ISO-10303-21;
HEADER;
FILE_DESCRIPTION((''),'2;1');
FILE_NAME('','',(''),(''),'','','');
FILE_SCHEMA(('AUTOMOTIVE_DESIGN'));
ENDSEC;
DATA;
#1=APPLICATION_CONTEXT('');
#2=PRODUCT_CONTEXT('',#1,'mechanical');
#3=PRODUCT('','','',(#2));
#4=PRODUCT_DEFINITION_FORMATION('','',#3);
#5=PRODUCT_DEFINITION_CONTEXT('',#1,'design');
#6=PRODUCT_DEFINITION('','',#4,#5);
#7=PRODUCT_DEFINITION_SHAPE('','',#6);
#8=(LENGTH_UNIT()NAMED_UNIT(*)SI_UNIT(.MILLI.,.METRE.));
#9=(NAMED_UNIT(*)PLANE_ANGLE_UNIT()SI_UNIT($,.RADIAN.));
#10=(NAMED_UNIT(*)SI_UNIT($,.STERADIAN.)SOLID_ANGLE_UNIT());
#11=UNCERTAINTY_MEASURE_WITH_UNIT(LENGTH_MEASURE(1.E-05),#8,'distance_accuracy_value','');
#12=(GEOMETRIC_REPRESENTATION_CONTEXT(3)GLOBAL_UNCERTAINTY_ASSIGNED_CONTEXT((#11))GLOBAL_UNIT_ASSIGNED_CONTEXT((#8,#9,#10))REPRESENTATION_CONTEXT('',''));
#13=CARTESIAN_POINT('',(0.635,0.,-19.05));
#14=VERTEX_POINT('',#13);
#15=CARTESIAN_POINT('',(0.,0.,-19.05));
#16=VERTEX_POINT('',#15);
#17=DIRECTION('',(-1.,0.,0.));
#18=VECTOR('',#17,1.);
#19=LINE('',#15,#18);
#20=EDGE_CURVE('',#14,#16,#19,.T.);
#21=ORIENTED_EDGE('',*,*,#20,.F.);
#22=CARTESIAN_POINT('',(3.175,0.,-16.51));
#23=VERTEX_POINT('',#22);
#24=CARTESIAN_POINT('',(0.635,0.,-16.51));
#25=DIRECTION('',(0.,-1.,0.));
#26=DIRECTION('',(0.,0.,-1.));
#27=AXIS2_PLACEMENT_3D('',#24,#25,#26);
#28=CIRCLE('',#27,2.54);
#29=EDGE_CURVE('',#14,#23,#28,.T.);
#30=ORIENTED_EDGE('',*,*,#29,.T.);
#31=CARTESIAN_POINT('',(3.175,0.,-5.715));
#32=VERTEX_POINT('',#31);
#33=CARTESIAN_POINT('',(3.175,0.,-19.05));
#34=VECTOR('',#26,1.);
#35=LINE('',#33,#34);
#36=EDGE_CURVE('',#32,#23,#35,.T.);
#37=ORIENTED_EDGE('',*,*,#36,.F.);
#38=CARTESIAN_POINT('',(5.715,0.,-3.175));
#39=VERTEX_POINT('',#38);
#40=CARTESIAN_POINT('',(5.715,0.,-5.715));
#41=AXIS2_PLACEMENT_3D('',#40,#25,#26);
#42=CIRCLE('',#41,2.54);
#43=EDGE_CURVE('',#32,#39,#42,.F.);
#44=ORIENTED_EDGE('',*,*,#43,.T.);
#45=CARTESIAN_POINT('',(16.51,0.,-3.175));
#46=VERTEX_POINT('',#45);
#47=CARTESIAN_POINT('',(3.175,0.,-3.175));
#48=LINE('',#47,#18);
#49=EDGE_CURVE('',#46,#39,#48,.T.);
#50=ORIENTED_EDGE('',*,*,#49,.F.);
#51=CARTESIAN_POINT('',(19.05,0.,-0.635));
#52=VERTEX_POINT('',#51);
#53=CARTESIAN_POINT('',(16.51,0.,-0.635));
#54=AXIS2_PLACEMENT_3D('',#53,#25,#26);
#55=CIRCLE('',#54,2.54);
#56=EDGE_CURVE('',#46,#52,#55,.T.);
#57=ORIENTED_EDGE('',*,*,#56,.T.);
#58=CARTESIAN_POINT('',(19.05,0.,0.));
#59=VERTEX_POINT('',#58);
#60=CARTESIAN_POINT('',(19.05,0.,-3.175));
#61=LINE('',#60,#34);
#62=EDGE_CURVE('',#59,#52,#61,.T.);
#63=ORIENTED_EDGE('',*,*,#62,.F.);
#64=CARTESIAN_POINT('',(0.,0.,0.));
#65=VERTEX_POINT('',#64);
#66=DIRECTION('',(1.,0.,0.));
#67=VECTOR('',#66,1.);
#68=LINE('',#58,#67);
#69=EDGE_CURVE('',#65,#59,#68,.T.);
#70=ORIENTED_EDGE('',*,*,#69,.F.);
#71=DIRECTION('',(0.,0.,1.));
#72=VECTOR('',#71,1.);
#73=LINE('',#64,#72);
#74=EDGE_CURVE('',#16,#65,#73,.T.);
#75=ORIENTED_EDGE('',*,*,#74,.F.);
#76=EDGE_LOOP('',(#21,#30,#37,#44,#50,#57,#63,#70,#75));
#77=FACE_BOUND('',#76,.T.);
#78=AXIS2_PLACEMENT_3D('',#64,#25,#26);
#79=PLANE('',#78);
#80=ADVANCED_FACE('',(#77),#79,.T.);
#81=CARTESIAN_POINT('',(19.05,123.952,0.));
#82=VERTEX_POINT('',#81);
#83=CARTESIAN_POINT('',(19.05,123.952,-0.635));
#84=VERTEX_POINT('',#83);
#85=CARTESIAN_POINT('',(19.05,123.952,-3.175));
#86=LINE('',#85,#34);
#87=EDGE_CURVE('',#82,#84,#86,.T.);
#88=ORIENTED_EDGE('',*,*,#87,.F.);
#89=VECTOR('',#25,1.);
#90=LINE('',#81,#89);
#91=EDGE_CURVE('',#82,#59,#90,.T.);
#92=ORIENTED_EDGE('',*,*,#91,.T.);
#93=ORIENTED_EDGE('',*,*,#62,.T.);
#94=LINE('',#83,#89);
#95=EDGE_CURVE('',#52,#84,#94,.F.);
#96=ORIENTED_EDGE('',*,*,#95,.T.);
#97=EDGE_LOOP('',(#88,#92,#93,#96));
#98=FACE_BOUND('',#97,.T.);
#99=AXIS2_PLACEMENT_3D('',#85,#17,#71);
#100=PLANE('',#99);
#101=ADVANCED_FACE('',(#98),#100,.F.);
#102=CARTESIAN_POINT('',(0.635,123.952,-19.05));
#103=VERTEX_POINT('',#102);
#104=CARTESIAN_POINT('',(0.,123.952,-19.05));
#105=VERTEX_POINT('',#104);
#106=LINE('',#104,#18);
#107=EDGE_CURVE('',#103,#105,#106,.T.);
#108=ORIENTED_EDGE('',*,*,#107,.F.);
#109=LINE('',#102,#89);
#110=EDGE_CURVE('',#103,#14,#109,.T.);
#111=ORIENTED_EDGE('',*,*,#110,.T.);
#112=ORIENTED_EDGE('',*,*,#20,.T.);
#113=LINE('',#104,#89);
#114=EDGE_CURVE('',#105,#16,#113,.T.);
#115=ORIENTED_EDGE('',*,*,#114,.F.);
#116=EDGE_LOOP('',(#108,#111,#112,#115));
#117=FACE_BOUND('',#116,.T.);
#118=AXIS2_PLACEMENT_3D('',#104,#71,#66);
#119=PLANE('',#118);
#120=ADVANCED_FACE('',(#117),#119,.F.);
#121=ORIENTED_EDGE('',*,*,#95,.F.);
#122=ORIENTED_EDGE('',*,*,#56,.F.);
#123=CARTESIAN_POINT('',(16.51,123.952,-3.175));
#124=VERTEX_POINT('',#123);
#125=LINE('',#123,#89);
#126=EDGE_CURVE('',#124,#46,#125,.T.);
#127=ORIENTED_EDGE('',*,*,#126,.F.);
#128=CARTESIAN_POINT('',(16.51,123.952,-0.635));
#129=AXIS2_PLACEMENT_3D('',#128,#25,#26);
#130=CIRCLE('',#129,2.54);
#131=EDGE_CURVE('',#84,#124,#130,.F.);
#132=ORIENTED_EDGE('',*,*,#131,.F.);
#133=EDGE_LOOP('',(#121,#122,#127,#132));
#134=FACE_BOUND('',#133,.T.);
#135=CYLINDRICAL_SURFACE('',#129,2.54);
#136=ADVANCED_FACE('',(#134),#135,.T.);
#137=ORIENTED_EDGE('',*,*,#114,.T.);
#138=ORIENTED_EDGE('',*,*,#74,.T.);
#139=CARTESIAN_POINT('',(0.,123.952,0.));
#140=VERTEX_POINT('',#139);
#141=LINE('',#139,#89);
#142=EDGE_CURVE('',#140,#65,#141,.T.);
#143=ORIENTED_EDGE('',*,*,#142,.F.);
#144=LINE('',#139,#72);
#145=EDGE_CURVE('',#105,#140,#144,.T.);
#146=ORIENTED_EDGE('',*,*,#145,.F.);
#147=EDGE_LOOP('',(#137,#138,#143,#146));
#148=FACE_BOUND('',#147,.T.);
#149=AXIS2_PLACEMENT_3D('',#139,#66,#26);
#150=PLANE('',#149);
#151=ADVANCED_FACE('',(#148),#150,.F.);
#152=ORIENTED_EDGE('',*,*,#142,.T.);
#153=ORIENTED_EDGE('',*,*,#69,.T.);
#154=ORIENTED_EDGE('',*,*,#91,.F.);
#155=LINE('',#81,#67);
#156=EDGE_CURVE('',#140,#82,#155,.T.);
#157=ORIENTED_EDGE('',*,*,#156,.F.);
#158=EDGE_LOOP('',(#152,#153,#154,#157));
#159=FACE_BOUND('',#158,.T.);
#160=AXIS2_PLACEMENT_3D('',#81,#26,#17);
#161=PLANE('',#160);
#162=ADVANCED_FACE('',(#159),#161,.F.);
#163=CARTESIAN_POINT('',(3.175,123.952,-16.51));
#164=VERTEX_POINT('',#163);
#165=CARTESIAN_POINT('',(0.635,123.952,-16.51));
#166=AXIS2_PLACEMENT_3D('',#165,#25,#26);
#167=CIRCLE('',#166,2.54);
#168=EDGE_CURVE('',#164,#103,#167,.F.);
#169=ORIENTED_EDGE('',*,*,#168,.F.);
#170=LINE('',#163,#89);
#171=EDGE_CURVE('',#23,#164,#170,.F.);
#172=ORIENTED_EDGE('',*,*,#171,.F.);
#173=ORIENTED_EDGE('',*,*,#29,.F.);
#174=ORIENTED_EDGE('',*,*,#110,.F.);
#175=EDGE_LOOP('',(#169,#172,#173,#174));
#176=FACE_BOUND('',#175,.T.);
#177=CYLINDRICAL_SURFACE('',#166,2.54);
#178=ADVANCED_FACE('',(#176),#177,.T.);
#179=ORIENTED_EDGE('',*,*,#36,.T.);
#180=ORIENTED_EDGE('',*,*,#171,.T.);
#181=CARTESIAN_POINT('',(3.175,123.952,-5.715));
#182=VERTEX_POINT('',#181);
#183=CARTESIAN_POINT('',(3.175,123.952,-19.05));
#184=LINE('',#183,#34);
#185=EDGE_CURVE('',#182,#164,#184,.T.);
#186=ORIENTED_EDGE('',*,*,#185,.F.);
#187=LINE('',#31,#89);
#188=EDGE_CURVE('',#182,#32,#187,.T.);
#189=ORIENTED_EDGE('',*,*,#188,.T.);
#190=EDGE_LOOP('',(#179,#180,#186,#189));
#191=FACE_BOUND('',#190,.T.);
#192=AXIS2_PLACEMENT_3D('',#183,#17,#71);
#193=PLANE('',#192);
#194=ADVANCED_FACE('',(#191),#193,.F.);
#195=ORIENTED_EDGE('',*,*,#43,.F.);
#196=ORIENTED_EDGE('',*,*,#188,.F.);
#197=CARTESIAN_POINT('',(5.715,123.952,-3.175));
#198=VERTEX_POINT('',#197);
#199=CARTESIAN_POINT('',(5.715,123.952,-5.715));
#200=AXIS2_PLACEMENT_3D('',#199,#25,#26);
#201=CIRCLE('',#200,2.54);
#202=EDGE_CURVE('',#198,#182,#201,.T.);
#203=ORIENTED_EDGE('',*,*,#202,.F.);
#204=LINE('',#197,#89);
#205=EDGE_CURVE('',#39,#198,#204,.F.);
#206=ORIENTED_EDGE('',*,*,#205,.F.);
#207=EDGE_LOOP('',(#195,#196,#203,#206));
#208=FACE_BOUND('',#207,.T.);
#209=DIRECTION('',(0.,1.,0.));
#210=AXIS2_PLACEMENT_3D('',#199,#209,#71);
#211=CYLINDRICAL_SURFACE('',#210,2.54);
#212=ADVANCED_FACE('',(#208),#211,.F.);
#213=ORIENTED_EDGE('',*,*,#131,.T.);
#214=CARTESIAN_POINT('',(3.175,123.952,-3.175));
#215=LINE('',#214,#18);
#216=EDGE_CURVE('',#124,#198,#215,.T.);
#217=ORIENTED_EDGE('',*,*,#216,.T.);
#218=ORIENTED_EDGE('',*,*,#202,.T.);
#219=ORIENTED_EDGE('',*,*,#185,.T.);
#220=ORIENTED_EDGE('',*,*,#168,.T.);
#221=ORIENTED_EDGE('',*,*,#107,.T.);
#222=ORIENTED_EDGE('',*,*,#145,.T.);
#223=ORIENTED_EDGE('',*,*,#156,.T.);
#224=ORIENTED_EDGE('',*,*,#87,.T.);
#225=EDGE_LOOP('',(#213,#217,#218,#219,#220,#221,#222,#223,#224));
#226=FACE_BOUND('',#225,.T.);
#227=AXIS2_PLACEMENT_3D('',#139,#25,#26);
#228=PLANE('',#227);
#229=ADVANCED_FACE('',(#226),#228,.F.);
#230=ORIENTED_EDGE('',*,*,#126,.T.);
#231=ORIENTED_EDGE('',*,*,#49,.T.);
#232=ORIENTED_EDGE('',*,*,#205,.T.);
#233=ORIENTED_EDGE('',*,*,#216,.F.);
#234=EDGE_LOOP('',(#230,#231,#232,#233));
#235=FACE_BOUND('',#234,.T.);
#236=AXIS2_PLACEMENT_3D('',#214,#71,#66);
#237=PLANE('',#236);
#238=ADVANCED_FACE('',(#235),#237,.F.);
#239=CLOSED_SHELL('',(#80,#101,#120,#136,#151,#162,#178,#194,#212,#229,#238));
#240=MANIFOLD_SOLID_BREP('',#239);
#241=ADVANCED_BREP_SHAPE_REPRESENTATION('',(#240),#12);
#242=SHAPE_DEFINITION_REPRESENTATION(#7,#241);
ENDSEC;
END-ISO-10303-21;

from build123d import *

# Parameters (mm, degrees)
BOSS_EXTRUDE1_DEPTH = 123.952
FILLET1_R           = 2.54


with BuildPart() as part:
    # Sketch1 → Boss-Extrude1 (new body)
    with BuildSketch(Plane(origin=(0, 0, 0), x_dir=(1, 0, 0), z_dir=(0, 1, 0))):
        Polygon((0, 0), (0, 19.05), (3.175, 19.05), (3.175, 3.175), (19.05, 3.175), (19.05, 0), align=None)
    extrude(amount=BOSS_EXTRUDE1_DEPTH)

    # Fillet1
    fillet1_edges = [part.edges().sort_by_distance(p)[0] for p in [
        (3.175, 61.976, -19.05),
        (3.175, 61.976, -3.175),
        (19.05, 61.976, -3.175),
    ]]
    fillet(fillet1_edges, radius=FILLET1_R)


solid = part.part
